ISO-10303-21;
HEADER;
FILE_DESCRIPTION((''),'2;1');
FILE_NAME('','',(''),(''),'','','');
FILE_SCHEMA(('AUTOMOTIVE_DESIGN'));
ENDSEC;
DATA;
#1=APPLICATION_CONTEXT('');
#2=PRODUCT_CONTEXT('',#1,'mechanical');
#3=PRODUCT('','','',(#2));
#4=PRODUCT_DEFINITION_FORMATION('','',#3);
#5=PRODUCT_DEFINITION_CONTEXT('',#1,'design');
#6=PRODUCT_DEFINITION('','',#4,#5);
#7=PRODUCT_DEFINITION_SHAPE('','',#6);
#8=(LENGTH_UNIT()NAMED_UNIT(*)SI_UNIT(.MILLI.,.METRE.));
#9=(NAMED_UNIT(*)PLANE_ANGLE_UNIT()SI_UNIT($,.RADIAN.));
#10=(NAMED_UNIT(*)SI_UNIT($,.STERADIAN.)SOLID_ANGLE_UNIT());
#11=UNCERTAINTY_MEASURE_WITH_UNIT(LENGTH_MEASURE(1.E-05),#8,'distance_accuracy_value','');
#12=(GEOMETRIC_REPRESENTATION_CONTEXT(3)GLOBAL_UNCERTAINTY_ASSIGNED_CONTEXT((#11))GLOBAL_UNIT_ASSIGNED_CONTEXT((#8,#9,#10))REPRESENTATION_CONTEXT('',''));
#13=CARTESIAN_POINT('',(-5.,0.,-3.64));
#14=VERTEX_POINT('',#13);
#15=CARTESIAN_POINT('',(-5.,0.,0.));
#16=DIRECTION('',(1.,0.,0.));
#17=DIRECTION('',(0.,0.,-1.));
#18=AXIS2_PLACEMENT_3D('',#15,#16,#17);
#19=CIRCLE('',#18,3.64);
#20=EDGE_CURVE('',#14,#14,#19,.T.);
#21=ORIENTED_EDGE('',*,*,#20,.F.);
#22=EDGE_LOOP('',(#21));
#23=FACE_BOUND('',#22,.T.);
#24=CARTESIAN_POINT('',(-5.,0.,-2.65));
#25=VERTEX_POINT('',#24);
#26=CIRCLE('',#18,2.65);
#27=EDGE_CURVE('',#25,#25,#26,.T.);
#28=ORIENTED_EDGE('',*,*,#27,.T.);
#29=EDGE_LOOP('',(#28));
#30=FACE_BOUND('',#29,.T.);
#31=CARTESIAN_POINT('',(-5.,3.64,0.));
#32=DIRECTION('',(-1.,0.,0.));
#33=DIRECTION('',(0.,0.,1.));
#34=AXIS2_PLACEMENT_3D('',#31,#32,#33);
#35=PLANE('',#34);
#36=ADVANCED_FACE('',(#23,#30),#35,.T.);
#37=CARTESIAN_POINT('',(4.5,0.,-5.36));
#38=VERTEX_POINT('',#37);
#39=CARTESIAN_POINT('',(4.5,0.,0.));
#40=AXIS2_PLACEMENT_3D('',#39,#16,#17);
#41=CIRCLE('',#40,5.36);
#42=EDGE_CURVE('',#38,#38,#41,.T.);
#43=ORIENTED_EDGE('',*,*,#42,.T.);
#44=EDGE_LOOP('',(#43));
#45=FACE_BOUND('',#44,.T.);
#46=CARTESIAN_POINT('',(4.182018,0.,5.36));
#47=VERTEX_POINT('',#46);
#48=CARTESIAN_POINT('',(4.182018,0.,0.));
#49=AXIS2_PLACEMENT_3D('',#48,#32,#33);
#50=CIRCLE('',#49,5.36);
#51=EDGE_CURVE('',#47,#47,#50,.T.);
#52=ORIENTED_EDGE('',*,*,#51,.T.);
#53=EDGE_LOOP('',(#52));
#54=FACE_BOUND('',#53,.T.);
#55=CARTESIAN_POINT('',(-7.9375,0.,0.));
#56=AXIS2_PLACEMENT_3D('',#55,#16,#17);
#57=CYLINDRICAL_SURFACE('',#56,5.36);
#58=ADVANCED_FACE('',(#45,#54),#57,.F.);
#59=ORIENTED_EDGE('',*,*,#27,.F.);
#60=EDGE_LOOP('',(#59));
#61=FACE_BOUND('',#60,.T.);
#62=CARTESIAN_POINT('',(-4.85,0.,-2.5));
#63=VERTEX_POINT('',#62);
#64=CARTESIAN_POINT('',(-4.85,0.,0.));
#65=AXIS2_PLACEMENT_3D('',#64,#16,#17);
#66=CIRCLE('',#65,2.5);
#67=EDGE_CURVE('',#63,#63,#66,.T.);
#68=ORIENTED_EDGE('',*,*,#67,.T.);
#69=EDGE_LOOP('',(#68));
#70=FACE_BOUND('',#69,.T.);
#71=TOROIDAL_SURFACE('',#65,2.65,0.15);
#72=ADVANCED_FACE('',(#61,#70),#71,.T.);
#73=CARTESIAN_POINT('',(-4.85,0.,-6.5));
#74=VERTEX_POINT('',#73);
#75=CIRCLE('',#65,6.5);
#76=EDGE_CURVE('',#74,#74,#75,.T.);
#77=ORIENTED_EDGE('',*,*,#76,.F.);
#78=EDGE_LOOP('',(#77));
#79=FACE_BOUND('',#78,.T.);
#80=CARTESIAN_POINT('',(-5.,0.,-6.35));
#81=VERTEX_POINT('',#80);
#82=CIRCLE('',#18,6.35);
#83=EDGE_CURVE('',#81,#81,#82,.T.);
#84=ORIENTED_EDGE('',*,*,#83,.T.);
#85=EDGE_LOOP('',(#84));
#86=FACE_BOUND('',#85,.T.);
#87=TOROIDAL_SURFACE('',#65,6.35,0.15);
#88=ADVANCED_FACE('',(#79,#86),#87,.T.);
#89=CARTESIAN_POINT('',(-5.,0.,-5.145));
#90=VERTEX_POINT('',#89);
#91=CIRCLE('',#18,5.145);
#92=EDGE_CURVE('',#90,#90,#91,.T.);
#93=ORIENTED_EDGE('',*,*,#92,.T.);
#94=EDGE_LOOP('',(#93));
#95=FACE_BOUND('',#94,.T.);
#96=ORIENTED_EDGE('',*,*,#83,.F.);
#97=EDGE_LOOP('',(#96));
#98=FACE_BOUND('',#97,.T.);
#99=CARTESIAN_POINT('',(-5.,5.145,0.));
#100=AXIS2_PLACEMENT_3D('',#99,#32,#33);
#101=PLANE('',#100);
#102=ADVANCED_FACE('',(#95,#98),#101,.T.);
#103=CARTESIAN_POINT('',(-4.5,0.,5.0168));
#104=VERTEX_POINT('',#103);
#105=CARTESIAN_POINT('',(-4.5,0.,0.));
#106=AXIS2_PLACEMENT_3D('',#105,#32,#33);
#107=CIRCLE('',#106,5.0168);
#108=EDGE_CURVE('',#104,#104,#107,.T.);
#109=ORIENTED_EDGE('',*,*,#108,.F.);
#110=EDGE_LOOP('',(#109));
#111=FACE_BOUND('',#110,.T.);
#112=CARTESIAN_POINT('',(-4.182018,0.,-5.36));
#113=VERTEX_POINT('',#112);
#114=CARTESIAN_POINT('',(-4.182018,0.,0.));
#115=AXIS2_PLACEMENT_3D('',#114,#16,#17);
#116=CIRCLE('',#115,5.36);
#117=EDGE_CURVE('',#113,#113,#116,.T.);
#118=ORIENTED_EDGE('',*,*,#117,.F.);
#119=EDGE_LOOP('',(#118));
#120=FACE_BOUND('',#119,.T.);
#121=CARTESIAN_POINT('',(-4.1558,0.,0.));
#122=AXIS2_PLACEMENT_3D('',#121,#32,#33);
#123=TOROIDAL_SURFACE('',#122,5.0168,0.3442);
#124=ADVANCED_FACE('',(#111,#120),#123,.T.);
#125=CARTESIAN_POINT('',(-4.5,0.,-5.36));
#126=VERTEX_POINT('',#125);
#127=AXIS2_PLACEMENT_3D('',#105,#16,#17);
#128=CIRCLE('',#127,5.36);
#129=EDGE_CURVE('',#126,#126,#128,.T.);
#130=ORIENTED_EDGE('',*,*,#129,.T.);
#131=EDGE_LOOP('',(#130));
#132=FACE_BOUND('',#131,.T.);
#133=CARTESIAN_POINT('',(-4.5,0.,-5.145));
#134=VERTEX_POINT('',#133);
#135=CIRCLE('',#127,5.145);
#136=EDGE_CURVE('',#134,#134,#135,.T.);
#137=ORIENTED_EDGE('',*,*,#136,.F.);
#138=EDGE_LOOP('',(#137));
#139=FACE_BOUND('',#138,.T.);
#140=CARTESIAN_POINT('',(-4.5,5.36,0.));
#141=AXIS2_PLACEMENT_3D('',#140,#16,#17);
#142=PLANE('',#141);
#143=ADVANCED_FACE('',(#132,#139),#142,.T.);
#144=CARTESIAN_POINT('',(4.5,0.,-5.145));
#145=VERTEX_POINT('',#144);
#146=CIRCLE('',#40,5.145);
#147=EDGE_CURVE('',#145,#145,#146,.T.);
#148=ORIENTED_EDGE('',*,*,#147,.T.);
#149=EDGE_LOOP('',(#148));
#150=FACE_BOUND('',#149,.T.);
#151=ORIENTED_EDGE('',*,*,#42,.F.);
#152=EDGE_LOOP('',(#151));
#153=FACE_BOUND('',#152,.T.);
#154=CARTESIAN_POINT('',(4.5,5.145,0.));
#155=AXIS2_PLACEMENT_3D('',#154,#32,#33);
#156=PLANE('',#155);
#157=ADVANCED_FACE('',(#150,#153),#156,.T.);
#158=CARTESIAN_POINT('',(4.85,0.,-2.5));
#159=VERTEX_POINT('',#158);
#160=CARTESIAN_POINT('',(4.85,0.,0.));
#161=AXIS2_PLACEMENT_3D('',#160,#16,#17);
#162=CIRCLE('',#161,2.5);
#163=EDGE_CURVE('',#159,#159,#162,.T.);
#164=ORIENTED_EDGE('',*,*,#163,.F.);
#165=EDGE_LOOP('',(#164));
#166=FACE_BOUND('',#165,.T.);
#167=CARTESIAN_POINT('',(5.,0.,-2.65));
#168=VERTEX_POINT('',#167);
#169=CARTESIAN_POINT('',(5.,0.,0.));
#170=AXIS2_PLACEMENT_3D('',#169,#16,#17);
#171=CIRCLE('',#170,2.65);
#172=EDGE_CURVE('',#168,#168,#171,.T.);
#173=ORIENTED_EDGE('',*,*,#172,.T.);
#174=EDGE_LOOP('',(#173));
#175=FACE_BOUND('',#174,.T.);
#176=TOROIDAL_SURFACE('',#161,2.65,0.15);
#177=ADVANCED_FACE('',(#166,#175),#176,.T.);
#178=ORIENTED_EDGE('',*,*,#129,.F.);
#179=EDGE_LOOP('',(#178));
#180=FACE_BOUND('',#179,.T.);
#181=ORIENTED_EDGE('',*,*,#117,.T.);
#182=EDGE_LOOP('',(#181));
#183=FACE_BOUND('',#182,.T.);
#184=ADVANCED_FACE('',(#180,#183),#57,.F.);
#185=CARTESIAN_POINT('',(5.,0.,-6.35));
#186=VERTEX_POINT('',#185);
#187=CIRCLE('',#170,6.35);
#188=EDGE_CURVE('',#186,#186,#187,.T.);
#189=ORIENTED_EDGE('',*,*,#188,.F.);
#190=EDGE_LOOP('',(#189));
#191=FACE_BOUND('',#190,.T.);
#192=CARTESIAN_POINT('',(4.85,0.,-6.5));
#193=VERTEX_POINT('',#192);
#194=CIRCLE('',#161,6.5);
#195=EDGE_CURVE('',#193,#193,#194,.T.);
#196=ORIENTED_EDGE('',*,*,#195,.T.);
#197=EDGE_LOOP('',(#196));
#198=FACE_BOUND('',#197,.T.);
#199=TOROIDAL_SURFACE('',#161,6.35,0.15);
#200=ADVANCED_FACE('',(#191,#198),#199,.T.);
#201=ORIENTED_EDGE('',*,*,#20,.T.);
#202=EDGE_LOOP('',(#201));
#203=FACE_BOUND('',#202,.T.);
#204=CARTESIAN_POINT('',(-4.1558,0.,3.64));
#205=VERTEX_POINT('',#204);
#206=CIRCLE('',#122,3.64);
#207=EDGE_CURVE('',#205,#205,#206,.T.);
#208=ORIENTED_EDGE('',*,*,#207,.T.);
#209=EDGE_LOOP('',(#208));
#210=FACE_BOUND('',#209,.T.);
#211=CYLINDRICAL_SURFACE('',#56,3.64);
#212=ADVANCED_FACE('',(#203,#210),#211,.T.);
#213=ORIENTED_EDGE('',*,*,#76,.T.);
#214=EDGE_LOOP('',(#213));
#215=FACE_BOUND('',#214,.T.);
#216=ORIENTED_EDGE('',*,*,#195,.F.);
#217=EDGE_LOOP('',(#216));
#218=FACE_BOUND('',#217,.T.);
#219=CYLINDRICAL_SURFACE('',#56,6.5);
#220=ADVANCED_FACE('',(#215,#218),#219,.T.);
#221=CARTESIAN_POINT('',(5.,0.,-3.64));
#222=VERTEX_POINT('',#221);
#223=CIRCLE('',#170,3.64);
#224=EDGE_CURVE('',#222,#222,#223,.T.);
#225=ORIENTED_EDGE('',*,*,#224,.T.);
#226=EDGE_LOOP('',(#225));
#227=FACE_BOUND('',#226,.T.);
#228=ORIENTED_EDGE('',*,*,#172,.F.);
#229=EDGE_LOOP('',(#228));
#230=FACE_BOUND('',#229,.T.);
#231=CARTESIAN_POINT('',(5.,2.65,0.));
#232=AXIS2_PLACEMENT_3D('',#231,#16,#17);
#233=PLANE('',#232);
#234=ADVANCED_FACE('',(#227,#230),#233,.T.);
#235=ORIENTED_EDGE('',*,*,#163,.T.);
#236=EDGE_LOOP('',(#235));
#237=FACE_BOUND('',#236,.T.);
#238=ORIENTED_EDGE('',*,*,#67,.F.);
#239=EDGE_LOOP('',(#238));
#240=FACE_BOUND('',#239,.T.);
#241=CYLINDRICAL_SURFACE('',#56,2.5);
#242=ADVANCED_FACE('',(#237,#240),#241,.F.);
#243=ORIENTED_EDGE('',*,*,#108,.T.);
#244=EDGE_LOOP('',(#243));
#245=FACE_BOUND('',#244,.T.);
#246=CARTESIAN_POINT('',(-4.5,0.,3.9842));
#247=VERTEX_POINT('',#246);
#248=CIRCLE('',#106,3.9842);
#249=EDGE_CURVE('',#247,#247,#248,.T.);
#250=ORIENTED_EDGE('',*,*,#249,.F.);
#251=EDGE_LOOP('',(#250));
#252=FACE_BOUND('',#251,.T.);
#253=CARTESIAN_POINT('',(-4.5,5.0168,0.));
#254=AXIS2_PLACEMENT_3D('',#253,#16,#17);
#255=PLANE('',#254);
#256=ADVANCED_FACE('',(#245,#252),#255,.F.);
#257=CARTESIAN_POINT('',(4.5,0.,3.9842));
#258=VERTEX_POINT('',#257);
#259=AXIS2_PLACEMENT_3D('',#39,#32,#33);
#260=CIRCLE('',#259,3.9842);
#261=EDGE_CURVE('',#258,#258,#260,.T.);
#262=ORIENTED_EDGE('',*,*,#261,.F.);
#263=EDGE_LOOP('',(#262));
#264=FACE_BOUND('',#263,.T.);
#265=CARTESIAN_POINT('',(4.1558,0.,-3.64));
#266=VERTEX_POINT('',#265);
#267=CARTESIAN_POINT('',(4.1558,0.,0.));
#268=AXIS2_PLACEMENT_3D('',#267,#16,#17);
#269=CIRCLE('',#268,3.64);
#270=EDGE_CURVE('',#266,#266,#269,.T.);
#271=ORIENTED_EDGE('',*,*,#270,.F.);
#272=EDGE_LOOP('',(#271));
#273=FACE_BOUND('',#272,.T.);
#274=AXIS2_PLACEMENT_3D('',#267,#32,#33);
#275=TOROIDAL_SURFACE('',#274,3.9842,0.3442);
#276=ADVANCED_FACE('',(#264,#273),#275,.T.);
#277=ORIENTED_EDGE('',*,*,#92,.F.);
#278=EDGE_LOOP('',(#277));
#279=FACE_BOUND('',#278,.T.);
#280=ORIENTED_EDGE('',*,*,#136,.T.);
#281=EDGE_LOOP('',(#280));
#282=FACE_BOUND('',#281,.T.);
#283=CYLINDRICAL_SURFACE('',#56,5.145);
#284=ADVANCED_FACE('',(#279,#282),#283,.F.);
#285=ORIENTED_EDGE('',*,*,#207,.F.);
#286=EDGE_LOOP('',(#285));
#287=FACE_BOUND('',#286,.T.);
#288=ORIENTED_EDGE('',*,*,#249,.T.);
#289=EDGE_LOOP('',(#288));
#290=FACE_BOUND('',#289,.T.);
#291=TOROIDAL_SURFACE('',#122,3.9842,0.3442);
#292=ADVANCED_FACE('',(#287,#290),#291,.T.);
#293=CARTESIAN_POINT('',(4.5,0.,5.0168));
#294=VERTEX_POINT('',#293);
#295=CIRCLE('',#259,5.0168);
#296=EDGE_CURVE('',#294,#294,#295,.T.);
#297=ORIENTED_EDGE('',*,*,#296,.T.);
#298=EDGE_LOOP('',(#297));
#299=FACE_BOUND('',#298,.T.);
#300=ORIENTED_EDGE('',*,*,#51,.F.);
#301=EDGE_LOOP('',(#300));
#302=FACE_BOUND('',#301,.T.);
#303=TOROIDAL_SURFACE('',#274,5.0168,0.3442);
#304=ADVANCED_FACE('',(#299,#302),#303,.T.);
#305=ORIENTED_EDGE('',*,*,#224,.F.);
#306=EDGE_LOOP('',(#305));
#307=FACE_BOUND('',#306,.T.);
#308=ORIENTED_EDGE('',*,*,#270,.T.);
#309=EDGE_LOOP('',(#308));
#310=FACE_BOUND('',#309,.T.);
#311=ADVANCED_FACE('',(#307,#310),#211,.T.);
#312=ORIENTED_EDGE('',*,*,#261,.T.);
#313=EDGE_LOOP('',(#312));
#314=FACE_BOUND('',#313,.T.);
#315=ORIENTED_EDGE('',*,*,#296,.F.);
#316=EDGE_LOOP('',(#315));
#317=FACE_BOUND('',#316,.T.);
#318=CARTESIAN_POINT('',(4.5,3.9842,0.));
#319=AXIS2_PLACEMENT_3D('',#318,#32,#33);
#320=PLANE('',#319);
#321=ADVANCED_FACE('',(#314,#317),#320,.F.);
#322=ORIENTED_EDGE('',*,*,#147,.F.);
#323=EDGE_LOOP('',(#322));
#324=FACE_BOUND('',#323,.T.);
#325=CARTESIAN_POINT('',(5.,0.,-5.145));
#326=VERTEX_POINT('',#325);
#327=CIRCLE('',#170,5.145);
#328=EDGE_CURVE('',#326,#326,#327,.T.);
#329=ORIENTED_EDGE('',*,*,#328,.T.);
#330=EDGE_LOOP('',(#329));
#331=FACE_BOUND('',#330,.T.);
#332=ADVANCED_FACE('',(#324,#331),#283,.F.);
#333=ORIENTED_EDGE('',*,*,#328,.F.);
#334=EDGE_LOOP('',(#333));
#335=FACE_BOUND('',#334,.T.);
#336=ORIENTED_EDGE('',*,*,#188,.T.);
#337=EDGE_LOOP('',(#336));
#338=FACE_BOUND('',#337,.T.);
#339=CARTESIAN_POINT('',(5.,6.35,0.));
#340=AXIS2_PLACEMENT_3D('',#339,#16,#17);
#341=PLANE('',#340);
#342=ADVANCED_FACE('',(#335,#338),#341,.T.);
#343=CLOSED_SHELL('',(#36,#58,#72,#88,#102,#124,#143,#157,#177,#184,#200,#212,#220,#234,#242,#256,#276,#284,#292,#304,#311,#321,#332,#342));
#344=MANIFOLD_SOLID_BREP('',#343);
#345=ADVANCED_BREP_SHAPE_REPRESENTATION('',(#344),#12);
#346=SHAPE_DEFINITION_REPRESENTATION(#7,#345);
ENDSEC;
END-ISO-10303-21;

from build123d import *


with BuildPart() as part:
    # OutRacSke → OuterRace (revolve)
    with BuildSketch(Plane.XY):
        with BuildLine():
            Line((-4.5, 5.36), (-4.5, 5.145))
            Line((-4.5, 5.145), (-5, 5.145))
            Line((-5, 5.145), (-5, 6.35))
            ThreePointArc((-5, 6.35), (-4.956066017, 6.456066017), (-4.85, 6.5))
            Line((-4.85, 6.5), (4.85, 6.5))
            ThreePointArc((4.85, 6.5), (4.956066017, 6.456066017), (5, 6.35))
            Line((5, 6.35), (5, 5.145))
            Line((5, 5.145), (4.5, 5.145))
            Line((4.5, 5.145), (4.5, 5.36))
            Line((4.5, 5.36), (-4.5, 5.36))
        make_face()
    revolve(axis=Axis((-7.9375, 0, 0), (1, 0, 0)))

    # RolSimSke → RollersSimplified (revolve)
    with BuildSketch(Plane(origin=(0, 25.4, 0), x_dir=(1, 0, 0), z_dir=(0, 0, 1))):
        with BuildLine():
            Line((-4.5, -20.3832), (-4.5, -21.4158))
            ThreePointArc((-4.5, -21.4158), (-4.399186154, -21.659186154), (-4.1558, -21.76))
            Line((-4.1558, -21.76), (4.1558, -21.76))
            ThreePointArc((4.1558, -21.76), (4.399186154, -21.659186154), (4.5, -21.4158))
            Line((4.5, -21.4158), (4.5, -20.3832))
            ThreePointArc((4.5, -20.3832), (4.399186154, -20.139813846), (4.1558, -20.039))
            Line((4.1558, -20.039), (-4.1558, -20.039))
            ThreePointArc((-4.1558, -20.039), (-4.399186154, -20.139813846), (-4.5, -20.3832))
        make_face()
    revolve(axis=Axis((-25.4, 0, 0), (1, 0, 0)))

    # InsRacSke → InnerRace (revolve)
    with BuildSketch(Plane.XY):
        with BuildLine():
            Line((-5, 3.64), (-5, 2.65))
            ThreePointArc((-5, 2.65), (-4.956066017, 2.543933983), (-4.85, 2.5))
            Line((-4.85, 2.5), (4.85, 2.5))
            ThreePointArc((4.85, 2.5), (4.956066017, 2.543933983), (5, 2.65))
            Line((5, 2.65), (5, 3.64))
            Line((5, 3.64), (-5, 3.64))
        make_face()
    revolve(axis=Axis((-7.9375, 0, 0), (1, 0, 0)))


solid = part.part
